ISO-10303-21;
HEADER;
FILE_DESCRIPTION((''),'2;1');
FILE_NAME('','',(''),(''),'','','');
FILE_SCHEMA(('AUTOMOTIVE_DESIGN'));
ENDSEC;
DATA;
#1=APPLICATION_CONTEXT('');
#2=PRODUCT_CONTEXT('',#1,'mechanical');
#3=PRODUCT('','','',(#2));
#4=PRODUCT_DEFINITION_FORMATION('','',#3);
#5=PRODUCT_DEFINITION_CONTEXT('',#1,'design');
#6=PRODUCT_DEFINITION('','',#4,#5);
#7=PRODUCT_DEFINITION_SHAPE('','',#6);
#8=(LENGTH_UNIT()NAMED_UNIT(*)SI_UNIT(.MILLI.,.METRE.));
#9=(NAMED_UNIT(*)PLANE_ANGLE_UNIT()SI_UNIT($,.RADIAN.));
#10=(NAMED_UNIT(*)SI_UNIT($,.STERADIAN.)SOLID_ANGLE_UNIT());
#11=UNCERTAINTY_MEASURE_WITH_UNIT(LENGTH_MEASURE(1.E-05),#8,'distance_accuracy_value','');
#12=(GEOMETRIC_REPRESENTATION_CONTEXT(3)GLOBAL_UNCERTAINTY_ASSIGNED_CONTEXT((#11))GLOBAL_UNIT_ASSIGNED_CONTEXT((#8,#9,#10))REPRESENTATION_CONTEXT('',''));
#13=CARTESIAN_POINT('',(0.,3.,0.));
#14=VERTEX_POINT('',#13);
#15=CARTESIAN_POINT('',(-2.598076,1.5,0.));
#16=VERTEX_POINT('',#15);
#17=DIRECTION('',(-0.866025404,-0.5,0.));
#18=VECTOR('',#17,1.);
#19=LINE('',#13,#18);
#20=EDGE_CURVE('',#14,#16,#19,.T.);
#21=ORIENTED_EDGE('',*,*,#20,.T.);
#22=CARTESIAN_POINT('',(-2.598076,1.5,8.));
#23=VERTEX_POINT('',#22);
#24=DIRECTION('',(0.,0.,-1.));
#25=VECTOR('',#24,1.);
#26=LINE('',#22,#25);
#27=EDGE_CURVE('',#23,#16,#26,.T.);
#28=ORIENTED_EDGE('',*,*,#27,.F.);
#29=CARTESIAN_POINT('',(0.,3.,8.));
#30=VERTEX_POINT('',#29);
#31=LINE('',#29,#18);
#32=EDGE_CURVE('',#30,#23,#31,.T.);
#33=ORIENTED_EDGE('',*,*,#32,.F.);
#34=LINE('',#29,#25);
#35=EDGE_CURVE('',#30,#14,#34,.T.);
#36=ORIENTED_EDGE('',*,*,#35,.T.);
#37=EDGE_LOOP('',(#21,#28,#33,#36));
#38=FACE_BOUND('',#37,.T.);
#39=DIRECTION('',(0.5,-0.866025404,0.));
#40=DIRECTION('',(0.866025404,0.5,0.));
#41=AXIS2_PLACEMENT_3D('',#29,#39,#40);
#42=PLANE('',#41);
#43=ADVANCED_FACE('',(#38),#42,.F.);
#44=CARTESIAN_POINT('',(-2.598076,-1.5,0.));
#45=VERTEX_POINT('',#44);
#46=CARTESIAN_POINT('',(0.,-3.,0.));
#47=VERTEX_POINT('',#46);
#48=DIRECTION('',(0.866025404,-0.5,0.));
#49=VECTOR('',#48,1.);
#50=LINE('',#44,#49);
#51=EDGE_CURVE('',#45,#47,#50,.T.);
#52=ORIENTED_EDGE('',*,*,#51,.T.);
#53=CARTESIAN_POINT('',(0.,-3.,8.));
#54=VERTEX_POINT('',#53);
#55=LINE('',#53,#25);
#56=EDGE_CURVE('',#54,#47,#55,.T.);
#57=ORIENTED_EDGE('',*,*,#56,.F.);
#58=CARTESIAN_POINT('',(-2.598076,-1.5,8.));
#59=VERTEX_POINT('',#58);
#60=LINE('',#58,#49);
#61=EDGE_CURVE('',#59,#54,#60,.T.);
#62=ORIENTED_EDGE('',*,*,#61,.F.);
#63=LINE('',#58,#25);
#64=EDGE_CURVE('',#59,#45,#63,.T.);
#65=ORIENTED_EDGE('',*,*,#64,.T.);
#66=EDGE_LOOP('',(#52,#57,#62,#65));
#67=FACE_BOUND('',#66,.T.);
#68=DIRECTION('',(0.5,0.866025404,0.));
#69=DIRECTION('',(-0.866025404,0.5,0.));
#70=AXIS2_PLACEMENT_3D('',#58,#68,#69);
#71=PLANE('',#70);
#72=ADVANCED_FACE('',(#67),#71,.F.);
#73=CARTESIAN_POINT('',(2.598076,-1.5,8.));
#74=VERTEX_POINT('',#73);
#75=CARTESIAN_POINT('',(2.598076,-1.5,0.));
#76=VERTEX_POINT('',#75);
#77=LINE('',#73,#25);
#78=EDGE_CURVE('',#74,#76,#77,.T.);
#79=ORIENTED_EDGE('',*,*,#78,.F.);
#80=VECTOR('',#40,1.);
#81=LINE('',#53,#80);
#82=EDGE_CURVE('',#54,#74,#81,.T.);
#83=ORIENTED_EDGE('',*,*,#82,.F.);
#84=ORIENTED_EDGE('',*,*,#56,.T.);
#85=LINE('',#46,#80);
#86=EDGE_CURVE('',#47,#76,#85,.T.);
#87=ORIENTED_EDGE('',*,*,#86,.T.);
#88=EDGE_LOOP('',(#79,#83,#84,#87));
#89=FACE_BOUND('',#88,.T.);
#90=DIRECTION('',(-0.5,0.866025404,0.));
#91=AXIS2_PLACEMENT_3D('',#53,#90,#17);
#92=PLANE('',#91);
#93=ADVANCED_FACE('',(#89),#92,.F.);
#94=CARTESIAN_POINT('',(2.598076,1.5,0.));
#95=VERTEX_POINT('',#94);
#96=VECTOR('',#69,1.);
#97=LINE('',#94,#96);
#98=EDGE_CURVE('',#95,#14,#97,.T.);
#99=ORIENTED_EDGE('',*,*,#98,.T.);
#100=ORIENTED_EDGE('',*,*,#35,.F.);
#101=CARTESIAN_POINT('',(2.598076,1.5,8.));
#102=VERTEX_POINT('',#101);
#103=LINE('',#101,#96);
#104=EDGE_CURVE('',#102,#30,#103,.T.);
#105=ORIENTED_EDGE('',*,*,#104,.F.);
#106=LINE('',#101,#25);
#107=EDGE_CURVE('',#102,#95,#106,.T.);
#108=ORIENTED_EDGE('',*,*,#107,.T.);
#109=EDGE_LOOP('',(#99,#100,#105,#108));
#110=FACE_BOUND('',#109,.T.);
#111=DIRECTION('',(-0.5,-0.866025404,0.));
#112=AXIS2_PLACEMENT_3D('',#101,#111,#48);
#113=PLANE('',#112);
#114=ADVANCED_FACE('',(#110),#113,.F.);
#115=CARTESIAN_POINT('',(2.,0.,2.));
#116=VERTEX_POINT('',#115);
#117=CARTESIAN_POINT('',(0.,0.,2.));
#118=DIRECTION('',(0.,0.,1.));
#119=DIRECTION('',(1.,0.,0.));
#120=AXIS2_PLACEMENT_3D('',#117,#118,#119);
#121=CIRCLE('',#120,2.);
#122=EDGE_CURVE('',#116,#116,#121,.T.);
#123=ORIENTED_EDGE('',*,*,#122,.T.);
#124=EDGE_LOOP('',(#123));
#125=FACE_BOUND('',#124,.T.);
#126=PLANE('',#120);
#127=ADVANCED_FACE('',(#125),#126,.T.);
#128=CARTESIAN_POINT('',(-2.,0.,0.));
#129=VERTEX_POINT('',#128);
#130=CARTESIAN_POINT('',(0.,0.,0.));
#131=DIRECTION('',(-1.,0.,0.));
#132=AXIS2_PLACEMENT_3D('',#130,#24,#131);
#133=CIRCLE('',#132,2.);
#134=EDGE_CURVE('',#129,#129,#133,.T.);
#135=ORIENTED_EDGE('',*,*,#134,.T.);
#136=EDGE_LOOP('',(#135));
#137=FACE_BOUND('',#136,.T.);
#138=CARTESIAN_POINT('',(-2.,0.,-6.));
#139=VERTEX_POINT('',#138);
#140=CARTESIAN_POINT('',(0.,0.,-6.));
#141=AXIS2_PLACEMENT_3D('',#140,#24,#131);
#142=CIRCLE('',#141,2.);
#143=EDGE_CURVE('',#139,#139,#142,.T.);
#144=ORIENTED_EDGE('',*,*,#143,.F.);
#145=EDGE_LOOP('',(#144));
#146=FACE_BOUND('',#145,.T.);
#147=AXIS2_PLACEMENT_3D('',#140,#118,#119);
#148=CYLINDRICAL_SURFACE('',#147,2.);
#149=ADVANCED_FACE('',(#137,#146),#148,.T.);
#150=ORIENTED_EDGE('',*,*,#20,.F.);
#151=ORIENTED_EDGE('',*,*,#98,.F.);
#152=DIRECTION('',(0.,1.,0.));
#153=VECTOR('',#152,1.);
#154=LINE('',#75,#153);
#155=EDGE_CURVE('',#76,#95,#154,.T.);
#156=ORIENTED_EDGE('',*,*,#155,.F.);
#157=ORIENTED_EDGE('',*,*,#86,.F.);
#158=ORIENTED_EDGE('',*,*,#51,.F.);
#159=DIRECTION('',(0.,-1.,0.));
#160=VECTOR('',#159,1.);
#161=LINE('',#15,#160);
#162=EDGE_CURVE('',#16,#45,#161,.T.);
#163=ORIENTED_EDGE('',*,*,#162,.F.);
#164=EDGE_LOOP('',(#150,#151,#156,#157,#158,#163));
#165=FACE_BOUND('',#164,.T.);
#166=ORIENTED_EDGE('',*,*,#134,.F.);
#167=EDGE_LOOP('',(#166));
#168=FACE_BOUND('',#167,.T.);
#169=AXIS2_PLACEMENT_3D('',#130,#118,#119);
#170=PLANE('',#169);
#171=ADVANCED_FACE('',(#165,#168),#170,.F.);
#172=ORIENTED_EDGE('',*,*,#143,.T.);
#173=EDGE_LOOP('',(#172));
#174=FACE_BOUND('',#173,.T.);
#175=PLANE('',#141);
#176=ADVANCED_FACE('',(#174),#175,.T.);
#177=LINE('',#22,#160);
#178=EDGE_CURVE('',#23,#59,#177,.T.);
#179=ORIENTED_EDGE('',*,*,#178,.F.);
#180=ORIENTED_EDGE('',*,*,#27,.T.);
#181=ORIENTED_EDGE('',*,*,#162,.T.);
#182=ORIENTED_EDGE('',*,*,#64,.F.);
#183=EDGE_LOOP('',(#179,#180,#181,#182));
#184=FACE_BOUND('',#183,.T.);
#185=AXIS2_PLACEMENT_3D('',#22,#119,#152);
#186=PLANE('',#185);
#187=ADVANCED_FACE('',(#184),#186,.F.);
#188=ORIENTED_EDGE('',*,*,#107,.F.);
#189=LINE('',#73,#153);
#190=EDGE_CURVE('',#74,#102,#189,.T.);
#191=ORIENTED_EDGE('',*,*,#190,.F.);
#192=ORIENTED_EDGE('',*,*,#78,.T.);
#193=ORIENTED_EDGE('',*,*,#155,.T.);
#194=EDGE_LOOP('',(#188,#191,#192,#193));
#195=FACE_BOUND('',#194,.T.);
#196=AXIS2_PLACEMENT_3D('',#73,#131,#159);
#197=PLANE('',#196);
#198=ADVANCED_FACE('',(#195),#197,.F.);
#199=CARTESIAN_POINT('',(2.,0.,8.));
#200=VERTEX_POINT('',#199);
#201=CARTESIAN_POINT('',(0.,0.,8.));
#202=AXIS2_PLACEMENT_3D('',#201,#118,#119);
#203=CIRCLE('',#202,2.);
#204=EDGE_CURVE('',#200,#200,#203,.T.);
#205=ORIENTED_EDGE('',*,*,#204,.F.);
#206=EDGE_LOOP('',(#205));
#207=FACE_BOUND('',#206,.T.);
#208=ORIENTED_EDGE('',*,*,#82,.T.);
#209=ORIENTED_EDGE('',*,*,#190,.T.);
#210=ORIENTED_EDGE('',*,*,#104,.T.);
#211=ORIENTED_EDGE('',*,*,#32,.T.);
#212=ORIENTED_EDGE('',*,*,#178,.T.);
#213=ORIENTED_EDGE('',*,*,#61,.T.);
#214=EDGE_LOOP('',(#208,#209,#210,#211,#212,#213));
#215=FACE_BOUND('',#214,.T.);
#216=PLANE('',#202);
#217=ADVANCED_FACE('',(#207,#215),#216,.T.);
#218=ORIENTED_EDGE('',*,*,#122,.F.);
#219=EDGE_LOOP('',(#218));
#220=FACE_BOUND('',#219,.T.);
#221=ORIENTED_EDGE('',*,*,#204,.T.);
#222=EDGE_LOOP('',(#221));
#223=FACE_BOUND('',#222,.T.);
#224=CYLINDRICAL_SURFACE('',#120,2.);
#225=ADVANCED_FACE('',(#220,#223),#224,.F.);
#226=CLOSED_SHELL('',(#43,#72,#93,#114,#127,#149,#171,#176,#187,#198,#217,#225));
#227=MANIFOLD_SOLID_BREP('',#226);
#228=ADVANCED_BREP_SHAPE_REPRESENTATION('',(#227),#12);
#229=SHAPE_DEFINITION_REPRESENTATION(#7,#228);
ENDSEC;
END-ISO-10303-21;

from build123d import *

# Parameters (mm, degrees)
EXTRUDE_1_DEPTH     = 8
SKETCH_2_R          = 2
CUT_EXTRUDE_1_DEPTH = 6
SKETCH_3_R          = 2
EXTRUDE_2_DEPTH     = 6


with BuildPart() as part:
    # 草图1 → 凸台-拉伸1 (new body)
    with BuildSketch(Plane.XY):
        Polygon((0, 3), (-2.598076211, 1.5), (-2.598076211, -1.5), (0, -3), (2.598076211, -1.5), (2.598076211, 1.5), align=None)
    extrude(amount=EXTRUDE_1_DEPTH)

    # 草图2 → 切除-拉伸1 (cut)
    with BuildSketch(Plane.XY.offset(8)):
        Circle(SKETCH_2_R)
    extrude(amount=-CUT_EXTRUDE_1_DEPTH, mode=Mode.SUBTRACT)

    # 草图3 → 凸台-拉伸2 (add)
    with BuildSketch(Plane(origin=(0, 0, 0), x_dir=(-1, 0, 0), z_dir=(0, 0, -1))):
        with Locations(Location((0, 0, 0), (0, 0, 180))):
            Circle(SKETCH_3_R)
    extrude(amount=EXTRUDE_2_DEPTH)


solid = part.part
